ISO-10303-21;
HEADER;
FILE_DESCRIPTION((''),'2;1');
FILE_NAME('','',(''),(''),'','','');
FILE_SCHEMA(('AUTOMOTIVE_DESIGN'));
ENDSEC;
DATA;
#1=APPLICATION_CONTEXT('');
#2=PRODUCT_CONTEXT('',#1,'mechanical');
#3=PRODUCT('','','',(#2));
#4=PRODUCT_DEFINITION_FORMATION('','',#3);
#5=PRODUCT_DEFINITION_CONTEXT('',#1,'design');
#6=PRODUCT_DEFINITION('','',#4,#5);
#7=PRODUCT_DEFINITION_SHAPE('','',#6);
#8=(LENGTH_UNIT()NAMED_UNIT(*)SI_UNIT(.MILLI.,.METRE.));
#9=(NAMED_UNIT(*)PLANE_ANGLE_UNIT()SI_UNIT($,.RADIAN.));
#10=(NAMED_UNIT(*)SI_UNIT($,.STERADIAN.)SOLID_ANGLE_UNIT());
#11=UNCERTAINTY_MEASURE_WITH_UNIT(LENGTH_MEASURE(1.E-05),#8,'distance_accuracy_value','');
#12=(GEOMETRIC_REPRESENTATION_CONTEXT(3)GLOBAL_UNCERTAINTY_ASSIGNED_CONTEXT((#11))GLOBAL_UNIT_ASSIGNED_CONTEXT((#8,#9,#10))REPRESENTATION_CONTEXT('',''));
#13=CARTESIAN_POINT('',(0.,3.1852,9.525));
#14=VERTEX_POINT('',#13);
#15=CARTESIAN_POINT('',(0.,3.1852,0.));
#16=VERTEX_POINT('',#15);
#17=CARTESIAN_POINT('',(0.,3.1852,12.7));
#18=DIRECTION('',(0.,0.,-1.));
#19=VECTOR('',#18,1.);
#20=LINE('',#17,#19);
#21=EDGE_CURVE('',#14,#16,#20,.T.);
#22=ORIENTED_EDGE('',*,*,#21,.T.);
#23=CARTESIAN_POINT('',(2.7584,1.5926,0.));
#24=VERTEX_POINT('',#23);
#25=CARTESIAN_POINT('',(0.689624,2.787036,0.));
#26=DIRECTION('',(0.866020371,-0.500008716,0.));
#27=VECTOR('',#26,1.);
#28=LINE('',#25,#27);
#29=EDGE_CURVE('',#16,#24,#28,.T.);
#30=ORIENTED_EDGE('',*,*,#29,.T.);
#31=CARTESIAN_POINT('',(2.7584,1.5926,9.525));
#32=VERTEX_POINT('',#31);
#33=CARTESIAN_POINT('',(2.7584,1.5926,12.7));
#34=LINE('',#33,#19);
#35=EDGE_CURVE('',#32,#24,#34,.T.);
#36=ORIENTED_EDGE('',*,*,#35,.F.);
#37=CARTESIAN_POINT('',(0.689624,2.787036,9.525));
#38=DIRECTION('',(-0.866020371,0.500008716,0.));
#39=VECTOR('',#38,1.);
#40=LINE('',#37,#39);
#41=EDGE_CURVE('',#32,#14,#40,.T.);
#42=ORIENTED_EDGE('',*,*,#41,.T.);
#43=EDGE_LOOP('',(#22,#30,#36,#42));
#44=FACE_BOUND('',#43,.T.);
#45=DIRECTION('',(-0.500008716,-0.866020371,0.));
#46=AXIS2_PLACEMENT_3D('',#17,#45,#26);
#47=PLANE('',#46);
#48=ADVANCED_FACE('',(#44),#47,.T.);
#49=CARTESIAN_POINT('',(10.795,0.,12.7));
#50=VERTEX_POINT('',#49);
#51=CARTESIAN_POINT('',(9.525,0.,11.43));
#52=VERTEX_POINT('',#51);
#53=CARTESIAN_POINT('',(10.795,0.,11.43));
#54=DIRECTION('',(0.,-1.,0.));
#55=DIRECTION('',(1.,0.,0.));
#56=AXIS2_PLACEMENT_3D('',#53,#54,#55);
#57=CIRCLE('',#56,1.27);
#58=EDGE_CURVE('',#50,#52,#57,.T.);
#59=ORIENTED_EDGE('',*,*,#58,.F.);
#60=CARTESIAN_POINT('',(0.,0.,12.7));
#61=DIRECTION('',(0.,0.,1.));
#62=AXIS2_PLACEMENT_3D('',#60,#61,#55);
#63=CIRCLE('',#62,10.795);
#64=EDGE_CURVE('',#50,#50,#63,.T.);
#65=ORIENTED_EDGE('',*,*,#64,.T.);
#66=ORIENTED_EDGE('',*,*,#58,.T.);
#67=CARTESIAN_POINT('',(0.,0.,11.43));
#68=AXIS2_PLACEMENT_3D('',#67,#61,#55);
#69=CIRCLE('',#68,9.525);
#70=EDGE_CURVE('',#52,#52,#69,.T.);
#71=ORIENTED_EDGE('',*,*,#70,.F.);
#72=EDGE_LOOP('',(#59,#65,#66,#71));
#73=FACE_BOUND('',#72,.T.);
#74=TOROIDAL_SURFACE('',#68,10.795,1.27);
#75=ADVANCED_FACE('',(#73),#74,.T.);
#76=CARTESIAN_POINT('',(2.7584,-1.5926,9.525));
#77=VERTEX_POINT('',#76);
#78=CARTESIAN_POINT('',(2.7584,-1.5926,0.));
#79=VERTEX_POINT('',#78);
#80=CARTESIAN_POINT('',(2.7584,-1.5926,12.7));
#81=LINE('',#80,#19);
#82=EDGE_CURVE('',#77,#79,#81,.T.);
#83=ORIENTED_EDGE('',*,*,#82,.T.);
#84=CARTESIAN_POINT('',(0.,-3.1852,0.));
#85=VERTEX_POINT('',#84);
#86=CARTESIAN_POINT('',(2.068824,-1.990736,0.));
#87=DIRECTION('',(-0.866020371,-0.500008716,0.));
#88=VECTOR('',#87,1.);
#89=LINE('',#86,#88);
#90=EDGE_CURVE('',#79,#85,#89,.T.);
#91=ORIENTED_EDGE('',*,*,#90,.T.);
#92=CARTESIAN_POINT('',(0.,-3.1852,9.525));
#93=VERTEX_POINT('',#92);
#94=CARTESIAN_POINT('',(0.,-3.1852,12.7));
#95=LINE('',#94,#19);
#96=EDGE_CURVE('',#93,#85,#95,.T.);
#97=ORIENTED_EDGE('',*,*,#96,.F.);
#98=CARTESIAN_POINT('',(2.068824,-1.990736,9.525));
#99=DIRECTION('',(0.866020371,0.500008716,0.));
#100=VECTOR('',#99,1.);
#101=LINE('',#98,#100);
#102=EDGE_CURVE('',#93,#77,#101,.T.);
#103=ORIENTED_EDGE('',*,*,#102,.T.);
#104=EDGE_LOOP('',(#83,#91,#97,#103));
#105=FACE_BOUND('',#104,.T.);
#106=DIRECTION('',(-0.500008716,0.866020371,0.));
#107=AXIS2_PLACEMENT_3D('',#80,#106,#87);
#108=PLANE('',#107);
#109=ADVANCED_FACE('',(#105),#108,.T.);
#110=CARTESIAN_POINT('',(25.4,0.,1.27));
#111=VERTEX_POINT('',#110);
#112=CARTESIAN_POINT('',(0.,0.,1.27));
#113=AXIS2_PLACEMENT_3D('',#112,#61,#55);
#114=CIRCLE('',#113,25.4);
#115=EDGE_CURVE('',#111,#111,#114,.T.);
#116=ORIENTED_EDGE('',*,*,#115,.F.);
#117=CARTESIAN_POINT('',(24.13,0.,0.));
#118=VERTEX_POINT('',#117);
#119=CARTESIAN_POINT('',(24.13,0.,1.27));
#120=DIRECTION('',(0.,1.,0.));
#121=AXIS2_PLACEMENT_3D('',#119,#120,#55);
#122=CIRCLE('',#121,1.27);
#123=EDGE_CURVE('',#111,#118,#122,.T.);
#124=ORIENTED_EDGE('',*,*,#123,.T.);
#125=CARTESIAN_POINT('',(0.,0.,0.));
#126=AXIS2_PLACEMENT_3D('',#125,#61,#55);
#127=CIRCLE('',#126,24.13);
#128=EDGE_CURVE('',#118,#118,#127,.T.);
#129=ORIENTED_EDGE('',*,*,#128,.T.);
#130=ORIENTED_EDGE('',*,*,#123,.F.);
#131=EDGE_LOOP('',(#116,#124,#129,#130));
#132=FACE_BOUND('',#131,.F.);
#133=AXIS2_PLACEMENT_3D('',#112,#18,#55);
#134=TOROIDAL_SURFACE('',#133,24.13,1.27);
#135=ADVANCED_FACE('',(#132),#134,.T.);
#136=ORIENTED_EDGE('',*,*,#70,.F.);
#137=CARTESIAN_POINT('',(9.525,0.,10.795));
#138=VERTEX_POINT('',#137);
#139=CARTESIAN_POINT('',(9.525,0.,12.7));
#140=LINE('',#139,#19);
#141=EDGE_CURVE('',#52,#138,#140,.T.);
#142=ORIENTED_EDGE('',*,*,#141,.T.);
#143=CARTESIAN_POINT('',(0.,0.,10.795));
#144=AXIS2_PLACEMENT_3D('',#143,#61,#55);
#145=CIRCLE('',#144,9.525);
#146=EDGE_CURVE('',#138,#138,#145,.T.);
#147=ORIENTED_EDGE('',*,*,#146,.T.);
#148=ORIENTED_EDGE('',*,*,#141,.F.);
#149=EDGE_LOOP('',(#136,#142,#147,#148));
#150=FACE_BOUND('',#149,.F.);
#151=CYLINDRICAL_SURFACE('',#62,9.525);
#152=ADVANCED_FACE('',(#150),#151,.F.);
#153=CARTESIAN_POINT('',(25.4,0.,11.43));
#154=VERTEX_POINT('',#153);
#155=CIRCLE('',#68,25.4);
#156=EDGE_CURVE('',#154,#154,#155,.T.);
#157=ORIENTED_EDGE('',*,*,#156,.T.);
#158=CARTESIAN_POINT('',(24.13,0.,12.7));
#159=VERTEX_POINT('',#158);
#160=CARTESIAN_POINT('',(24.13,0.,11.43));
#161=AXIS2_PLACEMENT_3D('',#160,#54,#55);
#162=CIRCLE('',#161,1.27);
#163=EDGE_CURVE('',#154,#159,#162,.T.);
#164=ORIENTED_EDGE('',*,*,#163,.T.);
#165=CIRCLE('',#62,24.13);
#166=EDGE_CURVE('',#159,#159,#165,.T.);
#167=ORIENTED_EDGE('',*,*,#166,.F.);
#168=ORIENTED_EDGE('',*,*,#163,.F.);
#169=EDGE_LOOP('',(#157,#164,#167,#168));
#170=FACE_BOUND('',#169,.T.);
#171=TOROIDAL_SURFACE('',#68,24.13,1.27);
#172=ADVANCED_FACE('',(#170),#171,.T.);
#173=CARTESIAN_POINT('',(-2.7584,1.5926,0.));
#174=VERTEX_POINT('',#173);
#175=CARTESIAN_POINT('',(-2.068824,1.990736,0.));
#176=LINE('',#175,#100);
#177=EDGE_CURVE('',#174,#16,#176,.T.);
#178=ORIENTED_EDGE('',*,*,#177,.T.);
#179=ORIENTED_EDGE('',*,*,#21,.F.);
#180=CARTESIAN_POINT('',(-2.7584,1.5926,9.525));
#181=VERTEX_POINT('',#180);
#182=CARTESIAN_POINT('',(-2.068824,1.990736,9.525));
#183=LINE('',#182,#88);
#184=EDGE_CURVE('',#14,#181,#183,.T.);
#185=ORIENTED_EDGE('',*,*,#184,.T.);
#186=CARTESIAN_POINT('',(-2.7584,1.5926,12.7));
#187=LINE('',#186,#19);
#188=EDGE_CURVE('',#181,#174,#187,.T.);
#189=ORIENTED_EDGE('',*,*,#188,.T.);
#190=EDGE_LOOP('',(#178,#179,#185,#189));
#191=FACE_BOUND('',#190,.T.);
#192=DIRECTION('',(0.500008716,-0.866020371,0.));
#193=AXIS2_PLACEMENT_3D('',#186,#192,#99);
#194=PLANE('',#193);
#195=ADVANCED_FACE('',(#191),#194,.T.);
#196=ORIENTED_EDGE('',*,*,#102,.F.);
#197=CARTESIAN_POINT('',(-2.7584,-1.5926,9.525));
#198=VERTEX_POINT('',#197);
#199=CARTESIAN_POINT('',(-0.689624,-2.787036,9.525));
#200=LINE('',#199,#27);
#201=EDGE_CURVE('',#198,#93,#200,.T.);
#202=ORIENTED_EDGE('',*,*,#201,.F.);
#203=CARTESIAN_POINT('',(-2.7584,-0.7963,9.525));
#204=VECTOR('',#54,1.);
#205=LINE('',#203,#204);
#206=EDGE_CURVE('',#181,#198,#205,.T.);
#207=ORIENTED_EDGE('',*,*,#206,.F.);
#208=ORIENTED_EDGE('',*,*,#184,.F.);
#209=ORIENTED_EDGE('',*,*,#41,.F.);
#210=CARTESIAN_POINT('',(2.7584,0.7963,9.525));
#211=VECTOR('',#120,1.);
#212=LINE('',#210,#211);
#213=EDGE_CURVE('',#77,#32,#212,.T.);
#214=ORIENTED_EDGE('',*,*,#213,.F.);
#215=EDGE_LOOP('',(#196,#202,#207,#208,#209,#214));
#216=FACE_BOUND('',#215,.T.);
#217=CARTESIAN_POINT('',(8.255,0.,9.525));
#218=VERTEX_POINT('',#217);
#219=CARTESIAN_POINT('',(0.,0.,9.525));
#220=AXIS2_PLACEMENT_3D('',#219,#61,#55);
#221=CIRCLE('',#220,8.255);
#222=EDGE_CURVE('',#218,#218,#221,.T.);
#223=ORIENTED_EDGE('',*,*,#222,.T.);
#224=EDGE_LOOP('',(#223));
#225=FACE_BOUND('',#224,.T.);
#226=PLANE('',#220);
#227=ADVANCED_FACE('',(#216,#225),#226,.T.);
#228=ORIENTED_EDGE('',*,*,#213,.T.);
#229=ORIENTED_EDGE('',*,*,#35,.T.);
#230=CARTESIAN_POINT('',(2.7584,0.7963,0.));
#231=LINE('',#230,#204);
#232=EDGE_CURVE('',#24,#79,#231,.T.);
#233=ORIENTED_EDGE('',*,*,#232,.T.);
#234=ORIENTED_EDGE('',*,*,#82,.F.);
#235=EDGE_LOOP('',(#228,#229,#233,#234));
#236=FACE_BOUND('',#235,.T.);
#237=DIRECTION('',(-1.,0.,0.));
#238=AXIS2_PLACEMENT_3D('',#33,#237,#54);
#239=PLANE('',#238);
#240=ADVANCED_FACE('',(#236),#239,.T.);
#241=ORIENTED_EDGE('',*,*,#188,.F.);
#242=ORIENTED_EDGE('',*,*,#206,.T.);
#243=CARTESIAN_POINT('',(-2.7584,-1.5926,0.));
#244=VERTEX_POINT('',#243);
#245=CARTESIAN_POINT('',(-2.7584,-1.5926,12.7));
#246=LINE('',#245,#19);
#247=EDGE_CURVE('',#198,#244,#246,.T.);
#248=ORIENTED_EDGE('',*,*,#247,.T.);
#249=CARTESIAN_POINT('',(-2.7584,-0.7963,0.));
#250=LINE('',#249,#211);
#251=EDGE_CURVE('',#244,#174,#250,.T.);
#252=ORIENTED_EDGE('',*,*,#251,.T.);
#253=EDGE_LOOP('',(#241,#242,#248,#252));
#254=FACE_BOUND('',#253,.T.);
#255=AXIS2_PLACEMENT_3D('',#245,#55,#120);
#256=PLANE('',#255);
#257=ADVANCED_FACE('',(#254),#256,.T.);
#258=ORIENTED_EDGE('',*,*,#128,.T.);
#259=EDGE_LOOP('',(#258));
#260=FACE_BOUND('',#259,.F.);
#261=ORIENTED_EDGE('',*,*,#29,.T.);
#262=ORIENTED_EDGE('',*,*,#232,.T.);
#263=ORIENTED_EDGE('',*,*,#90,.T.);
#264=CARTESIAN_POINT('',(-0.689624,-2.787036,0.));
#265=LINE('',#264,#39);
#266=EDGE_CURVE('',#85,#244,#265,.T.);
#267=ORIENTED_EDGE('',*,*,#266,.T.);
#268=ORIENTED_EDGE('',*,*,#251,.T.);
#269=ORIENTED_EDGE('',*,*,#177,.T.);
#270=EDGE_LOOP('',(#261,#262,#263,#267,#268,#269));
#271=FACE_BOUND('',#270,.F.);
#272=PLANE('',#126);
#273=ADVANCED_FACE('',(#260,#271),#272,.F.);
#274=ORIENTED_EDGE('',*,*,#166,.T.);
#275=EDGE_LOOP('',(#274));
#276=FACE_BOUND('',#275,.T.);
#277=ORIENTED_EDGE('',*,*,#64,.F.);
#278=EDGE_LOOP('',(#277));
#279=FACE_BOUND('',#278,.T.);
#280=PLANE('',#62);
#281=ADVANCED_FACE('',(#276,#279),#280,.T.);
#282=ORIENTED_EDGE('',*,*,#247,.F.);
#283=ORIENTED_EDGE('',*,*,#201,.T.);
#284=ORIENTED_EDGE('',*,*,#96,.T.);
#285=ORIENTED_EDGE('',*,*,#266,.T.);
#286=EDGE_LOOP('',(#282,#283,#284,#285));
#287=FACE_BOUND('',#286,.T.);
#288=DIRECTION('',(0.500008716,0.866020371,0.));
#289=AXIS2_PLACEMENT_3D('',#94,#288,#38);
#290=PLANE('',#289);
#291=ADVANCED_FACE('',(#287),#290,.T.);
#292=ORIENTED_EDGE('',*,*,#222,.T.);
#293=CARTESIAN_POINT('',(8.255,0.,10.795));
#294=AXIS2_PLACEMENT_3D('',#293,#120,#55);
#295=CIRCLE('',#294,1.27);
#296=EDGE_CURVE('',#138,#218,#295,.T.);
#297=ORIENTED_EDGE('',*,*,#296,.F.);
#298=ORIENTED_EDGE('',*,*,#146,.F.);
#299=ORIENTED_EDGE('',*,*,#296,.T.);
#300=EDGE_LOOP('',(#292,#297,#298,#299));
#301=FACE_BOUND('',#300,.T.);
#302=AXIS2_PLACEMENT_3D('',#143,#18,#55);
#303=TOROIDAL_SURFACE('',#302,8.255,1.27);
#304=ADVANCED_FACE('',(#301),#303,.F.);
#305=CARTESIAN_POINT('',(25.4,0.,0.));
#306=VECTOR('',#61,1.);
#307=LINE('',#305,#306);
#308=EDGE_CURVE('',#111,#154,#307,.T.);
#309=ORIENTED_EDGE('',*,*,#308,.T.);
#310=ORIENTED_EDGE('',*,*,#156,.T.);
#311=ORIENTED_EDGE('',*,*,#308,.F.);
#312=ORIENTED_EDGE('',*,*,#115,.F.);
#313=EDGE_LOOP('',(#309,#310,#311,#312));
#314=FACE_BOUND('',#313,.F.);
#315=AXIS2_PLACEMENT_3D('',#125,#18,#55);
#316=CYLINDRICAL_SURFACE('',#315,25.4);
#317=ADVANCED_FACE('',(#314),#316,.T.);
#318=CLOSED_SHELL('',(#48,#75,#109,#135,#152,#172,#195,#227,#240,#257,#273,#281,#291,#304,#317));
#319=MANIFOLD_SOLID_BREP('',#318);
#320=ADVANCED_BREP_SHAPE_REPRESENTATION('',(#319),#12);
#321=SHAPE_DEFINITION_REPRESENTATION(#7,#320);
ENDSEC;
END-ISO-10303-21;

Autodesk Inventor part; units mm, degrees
ref_plane "YZ Plane" through (0, 0, 0) normal (1, 0, 0) x (0, 1, 0)
ref_plane "XZ Plane" through (0, 0, 0) normal (0, 1, 0) x (-1, 0, 0)
ref_plane "XY Plane" through (0, 0, 0) normal (0, 0, 1) x (1, 0, 0)
sketch "Sketch1" plane through (0, 0, 0) normal (0, 0, 1) x (1, 0, 0)
  circle A0 centre (0, 0) radius 25.4
  dimension "d0" = 50.8
extrude "Extrusion1" add sketch "Sketch1" along normal blind 12.7
sketch "Sketch2" plane through (0, 0, 12.7) normal (0, 0, 1) x (1, 0, 0)
  line L0 (0, 3.1852) -> (2.7584, 1.5926)
  line L1 (2.7584, 1.5926) -> (2.7584, -1.5926)
  line L2 (2.7584, -1.5926) -> (0, -3.1852)
  line L3 (0, -3.1852) -> (-2.7584, -1.5926)
  line L4 (-2.7584, -1.5926) -> (-2.7584, 1.5926)
  line L5 (-2.7584, 1.5926) -> (0, 3.1852)
  point P0 (0, 0)
  point P1 (0, 0)
  dimension "d3" = 3.1852
extrude "Extrusion2" cut sketch "Sketch2" against normal through all
sketch "Sketch3" plane through (0, 0, 12.7) normal (0, 0, 1) x (1, 0, 0)
  circle A0 centre (0, 0) radius 9.525
  dimension "d6" = 19.05
extrude "Extrusion3" cut sketch "Sketch3" against normal blind 3.175
fillet "Fillet3" radius 1.27 4 edges at (-25.4, 0, 12.7) (-25.4, 0, 0) (-9.525, 0, 12.7) (-9.525, 0, 9.525)
properties part number "BallShooterWheel000105"
